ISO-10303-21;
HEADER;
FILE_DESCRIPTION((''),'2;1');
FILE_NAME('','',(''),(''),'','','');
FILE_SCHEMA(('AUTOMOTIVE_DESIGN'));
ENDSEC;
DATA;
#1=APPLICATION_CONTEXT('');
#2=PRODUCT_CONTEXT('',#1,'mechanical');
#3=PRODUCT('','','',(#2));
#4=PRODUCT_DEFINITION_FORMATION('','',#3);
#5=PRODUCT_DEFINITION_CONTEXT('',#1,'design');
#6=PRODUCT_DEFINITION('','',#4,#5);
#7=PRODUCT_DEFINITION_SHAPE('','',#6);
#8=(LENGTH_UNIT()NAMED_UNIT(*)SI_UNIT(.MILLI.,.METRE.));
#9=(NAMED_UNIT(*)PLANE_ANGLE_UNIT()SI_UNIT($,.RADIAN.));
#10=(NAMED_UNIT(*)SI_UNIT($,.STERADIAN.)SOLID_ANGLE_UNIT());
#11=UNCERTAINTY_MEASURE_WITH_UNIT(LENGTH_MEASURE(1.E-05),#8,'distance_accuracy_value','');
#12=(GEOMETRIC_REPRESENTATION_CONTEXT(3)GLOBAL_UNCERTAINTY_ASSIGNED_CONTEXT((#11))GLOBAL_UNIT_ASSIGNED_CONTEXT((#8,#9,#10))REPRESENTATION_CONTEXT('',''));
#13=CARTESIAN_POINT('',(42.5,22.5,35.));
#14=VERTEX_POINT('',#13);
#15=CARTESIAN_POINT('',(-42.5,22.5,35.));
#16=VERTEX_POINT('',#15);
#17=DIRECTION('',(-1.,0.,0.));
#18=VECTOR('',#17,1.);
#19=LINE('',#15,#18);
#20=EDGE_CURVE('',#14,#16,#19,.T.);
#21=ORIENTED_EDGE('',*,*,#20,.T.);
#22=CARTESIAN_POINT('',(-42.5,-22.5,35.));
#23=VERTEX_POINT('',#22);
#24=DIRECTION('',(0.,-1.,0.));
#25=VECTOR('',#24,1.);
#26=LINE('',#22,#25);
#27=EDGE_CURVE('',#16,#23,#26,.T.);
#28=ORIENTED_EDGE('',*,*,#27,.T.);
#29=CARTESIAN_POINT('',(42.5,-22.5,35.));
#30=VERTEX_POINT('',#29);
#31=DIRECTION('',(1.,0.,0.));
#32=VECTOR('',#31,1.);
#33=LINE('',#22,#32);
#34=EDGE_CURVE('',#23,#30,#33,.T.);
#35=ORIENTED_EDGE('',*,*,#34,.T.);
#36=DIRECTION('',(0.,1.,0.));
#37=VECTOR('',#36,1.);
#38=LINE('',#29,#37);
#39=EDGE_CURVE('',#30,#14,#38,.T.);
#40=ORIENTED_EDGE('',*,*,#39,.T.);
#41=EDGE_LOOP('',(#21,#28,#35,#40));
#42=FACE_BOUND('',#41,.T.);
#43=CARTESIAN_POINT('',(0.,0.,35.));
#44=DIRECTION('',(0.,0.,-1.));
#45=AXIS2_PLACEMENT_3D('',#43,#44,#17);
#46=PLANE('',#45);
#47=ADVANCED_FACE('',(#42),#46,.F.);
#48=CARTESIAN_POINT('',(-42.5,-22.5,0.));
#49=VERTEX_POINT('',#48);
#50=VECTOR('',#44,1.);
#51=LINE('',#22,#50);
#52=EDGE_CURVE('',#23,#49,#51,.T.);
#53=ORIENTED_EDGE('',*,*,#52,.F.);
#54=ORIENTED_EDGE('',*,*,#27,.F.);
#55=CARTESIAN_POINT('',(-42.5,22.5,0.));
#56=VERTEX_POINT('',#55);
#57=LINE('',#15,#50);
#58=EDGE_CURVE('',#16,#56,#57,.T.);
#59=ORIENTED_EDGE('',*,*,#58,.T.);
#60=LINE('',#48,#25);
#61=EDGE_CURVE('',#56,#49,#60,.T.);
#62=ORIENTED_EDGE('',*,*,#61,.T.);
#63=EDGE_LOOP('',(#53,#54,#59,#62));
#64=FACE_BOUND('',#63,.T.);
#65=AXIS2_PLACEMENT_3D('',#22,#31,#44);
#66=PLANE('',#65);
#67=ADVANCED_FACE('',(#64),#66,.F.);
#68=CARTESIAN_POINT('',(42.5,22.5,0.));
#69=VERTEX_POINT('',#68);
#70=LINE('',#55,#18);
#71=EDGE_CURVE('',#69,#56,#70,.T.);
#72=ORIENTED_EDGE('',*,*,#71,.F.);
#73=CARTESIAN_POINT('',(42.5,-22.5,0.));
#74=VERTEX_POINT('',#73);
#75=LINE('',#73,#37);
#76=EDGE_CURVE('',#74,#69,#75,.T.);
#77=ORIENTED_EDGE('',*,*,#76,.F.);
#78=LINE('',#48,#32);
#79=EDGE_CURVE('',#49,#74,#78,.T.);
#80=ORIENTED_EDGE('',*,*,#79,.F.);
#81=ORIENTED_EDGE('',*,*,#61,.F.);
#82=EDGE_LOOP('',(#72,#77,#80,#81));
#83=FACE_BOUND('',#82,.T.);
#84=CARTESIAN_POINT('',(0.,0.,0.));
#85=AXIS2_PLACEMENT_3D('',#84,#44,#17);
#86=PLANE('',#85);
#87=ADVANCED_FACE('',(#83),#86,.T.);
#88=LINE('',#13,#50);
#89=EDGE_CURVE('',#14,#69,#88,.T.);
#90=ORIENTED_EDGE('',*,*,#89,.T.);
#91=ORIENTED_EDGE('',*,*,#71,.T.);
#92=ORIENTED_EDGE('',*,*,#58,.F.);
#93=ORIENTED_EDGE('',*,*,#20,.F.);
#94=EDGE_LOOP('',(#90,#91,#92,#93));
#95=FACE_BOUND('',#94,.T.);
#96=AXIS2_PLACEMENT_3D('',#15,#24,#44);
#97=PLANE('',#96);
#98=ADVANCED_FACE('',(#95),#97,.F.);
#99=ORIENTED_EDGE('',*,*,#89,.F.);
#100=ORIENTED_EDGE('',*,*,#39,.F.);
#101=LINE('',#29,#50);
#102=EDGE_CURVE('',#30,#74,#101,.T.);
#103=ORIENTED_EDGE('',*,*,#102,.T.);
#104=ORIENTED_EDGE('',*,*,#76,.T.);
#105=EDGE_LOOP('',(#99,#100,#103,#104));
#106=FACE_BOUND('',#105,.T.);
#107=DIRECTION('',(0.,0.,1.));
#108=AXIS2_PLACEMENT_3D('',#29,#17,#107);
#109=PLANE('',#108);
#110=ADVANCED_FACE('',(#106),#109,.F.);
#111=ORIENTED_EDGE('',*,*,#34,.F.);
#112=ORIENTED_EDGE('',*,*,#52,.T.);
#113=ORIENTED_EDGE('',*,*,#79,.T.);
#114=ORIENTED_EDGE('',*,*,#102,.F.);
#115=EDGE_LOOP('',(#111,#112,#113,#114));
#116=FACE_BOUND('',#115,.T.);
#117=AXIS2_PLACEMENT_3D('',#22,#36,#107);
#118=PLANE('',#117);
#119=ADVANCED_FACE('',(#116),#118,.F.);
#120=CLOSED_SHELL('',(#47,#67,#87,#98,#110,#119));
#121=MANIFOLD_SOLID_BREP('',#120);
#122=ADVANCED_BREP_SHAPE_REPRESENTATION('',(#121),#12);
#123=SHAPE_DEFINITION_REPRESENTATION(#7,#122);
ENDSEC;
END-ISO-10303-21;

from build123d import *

# Parameters (mm, degrees)
SKETCH_1_W      = 85
SKETCH_1_H      = 45
EXTRUDE_1_DEPTH = 35


with BuildPart() as part:
    # 草图1 → 凸台-拉伸1 (new body)
    with BuildSketch(Plane.XY):
        Rectangle(SKETCH_1_W, SKETCH_1_H)
    extrude(amount=EXTRUDE_1_DEPTH)


solid = part.part
